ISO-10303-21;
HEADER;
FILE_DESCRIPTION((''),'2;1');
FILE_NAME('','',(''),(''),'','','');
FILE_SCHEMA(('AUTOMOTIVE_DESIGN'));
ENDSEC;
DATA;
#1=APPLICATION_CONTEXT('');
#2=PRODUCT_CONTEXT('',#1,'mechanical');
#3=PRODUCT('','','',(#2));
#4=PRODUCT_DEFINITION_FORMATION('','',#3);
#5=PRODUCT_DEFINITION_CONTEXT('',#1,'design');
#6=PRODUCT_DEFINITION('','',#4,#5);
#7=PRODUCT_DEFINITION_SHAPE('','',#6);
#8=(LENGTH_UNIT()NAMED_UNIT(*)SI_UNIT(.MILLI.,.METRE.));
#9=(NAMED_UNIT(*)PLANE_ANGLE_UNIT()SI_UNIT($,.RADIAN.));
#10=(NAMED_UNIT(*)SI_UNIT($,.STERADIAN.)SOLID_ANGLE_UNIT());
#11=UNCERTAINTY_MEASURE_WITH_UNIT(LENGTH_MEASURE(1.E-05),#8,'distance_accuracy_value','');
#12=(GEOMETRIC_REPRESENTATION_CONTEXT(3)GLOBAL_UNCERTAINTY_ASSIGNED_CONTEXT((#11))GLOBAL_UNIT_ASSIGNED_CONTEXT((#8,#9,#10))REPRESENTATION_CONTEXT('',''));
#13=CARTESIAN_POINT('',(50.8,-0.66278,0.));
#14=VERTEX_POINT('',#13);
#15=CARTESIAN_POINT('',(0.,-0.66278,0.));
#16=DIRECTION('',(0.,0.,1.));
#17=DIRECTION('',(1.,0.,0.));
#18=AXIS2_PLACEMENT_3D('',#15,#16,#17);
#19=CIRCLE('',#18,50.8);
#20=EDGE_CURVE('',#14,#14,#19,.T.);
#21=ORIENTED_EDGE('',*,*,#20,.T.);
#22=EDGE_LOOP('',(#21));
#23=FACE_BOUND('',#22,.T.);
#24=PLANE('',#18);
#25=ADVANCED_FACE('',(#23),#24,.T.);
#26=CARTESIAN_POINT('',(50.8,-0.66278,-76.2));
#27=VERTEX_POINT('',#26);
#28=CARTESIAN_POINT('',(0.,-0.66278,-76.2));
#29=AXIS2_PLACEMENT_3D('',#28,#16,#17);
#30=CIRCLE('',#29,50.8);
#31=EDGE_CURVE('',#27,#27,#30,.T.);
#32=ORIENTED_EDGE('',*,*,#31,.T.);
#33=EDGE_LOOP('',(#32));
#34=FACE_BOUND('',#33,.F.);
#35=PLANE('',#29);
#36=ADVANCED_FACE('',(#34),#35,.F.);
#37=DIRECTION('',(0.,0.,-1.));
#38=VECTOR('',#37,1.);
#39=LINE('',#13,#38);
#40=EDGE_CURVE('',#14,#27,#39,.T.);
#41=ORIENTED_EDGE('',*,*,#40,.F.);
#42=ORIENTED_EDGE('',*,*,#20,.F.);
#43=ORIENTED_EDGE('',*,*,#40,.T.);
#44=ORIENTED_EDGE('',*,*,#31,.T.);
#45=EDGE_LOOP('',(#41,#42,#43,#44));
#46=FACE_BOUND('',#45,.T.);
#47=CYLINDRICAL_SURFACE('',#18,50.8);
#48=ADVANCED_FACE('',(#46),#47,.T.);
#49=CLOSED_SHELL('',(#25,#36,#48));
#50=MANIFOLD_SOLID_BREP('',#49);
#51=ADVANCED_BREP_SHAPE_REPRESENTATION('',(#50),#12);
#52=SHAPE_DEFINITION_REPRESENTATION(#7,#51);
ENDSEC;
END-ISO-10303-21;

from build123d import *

# Parameters (mm, degrees)
F1_R     = 50.8
F2_DEPTH = 76.2


with BuildPart() as f2:
    # F1 (on Top) → F2 (new body)
    with BuildSketch(Plane.XY):
        with Locations((0, -0.66278)):
            Circle(F1_R)
    extrude(amount=-F2_DEPTH)


solid = f2.part
